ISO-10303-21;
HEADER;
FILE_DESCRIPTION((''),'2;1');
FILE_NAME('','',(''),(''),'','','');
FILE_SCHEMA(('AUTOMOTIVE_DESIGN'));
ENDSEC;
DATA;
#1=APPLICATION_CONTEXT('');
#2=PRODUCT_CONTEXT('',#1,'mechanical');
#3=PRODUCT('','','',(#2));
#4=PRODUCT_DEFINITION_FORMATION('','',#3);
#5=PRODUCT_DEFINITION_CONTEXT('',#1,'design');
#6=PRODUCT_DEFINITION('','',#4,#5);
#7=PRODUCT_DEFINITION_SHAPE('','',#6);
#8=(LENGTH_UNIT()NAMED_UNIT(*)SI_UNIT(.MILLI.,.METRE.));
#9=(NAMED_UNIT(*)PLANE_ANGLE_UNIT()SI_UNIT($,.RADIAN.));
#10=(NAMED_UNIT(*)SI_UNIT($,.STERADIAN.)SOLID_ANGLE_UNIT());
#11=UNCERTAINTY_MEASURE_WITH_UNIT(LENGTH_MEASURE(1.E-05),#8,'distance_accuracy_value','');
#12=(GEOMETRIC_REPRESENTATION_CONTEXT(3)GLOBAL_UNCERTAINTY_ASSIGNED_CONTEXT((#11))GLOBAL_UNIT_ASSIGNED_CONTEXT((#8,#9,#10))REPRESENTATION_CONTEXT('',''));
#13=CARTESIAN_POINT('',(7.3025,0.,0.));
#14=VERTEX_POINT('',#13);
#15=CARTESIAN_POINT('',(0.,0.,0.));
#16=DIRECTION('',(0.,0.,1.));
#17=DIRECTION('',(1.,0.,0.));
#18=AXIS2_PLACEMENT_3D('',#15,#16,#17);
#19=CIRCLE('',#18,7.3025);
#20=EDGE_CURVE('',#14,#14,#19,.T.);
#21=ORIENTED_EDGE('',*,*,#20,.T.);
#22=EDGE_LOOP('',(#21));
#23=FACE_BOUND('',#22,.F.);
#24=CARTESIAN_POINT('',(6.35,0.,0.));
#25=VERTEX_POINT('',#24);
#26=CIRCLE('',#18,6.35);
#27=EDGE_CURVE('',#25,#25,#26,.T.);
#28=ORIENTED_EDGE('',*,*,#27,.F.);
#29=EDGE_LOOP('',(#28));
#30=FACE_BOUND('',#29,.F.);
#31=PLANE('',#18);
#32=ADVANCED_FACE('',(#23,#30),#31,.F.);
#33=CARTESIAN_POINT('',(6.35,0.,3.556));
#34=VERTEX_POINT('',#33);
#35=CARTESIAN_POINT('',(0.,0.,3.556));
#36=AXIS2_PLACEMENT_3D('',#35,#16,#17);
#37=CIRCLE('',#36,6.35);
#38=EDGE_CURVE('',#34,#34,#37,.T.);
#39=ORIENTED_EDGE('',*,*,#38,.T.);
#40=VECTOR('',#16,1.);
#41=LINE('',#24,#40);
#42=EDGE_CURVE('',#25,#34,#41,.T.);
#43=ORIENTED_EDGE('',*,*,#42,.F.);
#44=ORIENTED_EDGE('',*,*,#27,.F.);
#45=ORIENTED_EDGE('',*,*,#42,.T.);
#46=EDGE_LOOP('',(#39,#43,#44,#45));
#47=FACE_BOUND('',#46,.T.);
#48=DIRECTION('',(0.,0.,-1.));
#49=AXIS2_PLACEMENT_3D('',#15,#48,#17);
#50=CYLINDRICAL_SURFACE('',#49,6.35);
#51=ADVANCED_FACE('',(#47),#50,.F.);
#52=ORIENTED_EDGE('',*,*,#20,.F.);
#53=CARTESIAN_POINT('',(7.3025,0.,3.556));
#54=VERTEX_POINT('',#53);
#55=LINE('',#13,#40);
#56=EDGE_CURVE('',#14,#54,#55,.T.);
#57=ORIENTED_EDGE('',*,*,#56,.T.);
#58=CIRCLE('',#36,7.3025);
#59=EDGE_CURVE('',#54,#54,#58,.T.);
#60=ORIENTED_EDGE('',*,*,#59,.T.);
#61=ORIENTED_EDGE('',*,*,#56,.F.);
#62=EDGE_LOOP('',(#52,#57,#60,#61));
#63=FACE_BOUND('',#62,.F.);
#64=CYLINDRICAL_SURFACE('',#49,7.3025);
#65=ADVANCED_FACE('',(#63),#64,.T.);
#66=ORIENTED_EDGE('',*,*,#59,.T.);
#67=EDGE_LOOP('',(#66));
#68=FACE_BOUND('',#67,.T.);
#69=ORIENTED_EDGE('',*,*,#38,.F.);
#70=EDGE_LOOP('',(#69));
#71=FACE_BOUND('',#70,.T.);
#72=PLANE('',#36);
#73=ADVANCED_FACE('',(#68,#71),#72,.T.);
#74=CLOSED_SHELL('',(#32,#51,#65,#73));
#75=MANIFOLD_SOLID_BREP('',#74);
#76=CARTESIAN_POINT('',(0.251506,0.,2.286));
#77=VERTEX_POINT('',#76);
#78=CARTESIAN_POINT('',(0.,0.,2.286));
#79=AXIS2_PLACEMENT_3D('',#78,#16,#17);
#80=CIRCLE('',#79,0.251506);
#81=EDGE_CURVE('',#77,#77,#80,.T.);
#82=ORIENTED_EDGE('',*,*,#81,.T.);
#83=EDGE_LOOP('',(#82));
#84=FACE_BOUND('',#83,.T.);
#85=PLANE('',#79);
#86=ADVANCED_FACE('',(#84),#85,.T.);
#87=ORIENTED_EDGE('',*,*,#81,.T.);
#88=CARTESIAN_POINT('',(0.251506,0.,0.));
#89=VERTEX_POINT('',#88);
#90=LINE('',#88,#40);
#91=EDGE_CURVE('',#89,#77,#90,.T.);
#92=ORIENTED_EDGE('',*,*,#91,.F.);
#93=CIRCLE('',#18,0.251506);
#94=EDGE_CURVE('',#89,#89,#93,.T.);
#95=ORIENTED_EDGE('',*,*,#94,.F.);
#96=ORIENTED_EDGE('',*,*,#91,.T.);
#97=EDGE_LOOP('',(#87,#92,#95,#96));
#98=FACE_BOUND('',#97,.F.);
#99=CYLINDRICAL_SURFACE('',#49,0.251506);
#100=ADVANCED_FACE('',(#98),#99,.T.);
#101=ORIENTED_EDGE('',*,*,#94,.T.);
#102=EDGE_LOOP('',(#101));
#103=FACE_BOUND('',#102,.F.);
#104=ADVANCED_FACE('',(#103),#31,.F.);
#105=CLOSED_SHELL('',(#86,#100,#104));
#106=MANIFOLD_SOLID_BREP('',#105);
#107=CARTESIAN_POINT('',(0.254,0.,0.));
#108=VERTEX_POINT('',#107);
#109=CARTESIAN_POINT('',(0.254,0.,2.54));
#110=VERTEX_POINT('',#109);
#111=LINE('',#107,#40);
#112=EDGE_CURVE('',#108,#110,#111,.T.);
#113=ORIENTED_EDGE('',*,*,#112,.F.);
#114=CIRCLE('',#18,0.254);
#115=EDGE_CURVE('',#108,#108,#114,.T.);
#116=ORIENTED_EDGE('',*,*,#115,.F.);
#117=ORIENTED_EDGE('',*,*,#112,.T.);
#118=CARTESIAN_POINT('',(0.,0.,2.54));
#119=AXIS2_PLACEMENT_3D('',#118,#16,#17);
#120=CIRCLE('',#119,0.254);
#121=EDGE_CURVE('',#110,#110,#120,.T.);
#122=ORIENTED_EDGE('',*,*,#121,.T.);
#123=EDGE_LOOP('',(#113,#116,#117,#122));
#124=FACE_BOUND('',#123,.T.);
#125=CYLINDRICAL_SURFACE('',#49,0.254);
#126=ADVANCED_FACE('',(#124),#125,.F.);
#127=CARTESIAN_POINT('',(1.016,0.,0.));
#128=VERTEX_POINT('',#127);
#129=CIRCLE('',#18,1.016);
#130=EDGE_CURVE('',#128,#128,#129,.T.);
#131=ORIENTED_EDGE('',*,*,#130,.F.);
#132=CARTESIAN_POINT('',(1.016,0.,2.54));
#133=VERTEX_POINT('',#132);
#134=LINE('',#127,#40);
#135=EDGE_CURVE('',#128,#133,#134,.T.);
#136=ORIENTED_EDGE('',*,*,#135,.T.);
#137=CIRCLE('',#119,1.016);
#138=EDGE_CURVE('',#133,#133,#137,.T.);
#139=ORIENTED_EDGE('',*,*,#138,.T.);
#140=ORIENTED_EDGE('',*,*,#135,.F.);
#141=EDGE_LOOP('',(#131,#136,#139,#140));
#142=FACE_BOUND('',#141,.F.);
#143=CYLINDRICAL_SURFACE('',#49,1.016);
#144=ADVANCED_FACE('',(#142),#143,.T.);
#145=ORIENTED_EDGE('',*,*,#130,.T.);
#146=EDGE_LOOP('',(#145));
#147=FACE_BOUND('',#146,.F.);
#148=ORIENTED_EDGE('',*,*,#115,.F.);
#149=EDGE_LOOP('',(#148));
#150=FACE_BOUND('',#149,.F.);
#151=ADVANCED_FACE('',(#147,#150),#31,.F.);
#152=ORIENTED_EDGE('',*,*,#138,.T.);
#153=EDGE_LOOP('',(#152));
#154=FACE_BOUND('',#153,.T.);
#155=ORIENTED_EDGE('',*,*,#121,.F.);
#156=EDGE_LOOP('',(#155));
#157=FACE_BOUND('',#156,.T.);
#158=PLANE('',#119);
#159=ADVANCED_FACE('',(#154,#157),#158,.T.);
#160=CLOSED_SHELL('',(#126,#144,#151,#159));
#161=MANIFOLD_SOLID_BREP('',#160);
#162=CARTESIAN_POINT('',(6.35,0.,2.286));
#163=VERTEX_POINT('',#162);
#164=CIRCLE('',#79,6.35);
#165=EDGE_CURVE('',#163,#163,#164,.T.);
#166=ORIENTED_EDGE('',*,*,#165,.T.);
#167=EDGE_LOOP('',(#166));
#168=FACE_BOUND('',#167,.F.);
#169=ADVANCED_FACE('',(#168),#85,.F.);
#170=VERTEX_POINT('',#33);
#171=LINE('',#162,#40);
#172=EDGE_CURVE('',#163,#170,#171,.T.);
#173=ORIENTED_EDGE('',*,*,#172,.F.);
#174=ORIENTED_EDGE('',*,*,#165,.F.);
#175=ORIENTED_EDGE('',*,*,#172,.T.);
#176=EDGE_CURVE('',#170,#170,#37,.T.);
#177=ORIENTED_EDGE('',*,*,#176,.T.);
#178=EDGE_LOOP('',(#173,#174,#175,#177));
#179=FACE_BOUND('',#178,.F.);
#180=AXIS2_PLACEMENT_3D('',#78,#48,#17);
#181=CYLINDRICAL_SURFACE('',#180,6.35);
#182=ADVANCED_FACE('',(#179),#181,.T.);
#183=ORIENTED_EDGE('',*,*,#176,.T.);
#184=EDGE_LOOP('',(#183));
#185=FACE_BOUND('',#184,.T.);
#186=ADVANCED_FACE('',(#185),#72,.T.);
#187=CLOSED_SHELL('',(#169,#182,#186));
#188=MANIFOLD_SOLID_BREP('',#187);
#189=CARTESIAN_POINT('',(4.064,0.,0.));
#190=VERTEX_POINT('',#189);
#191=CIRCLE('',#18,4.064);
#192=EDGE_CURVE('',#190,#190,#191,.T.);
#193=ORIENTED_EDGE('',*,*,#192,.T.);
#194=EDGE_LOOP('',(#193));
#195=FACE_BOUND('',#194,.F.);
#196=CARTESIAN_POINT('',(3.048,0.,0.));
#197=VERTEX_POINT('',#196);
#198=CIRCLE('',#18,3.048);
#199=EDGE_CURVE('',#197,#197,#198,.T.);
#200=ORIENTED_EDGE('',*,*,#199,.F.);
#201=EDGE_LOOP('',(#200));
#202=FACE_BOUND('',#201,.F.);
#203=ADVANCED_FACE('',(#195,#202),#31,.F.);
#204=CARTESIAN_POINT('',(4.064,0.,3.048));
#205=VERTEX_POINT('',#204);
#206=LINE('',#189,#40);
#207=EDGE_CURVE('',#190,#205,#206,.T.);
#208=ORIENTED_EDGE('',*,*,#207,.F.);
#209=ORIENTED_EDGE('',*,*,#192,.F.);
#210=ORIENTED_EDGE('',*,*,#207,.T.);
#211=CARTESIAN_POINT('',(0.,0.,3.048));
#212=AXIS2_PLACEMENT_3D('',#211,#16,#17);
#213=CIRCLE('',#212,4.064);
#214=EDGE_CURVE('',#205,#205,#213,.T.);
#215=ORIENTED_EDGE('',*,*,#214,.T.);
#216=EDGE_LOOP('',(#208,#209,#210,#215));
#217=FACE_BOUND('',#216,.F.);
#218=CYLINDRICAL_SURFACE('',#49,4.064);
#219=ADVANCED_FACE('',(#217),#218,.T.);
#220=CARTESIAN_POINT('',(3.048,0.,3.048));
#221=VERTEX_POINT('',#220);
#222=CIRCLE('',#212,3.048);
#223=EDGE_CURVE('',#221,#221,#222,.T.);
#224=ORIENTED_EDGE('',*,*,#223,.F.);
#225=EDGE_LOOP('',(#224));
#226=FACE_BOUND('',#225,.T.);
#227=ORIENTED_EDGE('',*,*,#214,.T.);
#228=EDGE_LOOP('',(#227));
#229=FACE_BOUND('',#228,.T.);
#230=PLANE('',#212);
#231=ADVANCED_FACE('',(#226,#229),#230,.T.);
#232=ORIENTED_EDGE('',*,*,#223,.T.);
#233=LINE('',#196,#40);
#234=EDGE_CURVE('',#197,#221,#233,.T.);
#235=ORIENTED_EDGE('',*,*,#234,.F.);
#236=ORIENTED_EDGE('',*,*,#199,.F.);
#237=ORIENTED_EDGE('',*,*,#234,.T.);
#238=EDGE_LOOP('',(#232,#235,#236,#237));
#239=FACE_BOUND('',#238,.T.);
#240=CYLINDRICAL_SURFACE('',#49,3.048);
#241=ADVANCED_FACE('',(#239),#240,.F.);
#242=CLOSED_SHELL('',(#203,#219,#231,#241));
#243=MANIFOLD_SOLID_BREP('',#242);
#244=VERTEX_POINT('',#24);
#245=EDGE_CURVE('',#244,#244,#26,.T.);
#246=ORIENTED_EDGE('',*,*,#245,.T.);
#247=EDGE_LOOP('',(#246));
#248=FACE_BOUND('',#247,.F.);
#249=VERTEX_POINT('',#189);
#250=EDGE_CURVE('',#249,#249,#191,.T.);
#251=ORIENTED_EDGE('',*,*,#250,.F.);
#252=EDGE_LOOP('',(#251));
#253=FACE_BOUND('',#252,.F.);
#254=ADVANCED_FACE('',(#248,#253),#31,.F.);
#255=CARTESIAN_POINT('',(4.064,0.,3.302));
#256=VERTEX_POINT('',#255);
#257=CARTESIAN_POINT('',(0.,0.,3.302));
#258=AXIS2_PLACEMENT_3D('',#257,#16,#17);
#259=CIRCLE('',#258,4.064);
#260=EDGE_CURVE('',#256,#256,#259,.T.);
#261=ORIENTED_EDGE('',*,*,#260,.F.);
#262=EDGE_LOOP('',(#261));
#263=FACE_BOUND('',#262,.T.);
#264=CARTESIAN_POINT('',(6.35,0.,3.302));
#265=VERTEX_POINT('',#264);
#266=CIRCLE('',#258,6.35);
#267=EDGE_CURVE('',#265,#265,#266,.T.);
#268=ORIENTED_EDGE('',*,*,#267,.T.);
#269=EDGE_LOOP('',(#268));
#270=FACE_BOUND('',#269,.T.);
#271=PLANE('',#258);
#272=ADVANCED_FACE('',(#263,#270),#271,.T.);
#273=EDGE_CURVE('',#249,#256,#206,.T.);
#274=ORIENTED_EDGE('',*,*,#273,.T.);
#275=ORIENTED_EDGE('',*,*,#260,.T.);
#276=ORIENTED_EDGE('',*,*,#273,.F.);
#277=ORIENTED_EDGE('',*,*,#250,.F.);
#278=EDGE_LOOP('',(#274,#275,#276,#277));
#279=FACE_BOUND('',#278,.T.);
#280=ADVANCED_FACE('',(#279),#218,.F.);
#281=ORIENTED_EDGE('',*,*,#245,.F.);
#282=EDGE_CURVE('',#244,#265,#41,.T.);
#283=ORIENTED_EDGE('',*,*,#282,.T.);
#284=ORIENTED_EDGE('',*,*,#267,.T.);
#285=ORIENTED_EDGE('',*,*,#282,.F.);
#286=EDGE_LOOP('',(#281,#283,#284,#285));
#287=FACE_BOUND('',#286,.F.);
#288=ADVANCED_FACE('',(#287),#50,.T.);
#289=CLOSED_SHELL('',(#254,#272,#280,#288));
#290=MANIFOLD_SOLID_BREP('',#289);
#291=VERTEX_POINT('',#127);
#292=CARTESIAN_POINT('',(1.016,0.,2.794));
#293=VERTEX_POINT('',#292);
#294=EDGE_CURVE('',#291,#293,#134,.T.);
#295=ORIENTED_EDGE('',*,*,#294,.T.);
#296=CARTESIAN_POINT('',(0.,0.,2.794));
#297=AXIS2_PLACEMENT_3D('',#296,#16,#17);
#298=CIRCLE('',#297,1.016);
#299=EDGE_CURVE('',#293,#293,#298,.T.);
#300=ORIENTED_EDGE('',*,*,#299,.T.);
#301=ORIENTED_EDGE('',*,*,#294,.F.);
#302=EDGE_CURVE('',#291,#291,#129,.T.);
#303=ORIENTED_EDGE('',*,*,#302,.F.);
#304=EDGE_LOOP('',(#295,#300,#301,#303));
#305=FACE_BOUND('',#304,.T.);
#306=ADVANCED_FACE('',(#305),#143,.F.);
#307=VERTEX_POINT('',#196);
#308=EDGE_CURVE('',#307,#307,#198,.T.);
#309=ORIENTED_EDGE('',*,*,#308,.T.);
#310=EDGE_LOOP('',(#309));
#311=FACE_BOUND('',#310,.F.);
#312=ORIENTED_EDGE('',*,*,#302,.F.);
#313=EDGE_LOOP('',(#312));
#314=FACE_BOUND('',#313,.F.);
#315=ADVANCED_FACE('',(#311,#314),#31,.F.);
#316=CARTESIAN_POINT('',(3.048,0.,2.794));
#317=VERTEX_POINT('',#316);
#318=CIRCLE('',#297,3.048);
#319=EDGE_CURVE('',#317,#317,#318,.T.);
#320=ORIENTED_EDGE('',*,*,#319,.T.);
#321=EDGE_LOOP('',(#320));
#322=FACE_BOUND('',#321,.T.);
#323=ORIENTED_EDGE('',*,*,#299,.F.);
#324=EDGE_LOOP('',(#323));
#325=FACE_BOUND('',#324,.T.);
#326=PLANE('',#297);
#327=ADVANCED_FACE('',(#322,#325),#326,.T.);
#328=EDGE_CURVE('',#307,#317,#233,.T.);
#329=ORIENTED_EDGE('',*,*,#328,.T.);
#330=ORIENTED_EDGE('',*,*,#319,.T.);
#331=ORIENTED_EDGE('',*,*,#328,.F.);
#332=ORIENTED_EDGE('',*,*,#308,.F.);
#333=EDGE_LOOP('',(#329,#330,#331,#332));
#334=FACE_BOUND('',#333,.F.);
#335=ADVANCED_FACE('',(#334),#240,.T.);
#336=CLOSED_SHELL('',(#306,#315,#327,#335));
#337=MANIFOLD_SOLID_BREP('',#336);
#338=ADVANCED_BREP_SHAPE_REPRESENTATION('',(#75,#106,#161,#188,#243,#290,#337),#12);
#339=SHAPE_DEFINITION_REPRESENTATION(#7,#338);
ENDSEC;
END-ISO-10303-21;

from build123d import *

# Parameters (mm, degrees)
F1_R      = 7.3025
F1_R_2    = 6.35
F2_DEPTH  = 3.556
F4_R      = 6.35
F4_R_2    = 4.064
F5_DEPTH  = 3.302
F7_R      = 4.064
F7_R_2    = 3.048
F8_DEPTH  = 3.048
F10_R     = 3.048
F10_R_2   = 1.016
F11_DEPTH = 2.794
F13_R     = 1.016
F13_R_2   = 0.254
F14_DEPTH = 2.54
F15_R     = 0.2515062582
F16_DEPTH = 2.286
F17_R     = 6.35
F18_DEPTH = 1.27


with BuildPart() as f2:
    # F1 (on face) → F2 (new body)
    with BuildSketch(Plane.XY):
        Circle(F1_R)
        Circle(F1_R_2, mode=Mode.SUBTRACT)
    extrude(amount=F2_DEPTH)


with BuildPart() as f5:
    # F4 (on face) → F5 (new body)
    with BuildSketch(Plane.XY):
        Circle(F4_R)
        Circle(F4_R_2, mode=Mode.SUBTRACT)
    extrude(amount=F5_DEPTH)


with BuildPart() as f8:
    # F7 (on face) → F8 (new body)
    with BuildSketch(Plane.XY):
        Circle(F7_R)
        Circle(F7_R_2, mode=Mode.SUBTRACT)
    extrude(amount=F8_DEPTH)


with BuildPart() as f11:
    # F10 (on face) → F11 (new body)
    with BuildSketch(Plane.XY):
        Circle(F10_R)
        Circle(F10_R_2, mode=Mode.SUBTRACT)
    extrude(amount=F11_DEPTH)


with BuildPart() as f14:
    # F13 (on face) → F14 (new body)
    with BuildSketch(Plane.XY):
        Circle(F13_R)
        Circle(F13_R_2, mode=Mode.SUBTRACT)
    extrude(amount=F14_DEPTH)


with BuildPart() as f16:
    # F15 (on Top) → F16 (new body)
    with BuildSketch(Plane.XY):
        Circle(F15_R)
    extrude(amount=F16_DEPTH)


with BuildPart() as f18:
    # F17 (on face) → F18 (new body)
    with BuildSketch(Plane.XY.offset(2.286)):
        Circle(F17_R)
    extrude(amount=F18_DEPTH)


solid = Compound([f2.part, f5.part, f8.part, f11.part, f14.part, f16.part, f18.part])
